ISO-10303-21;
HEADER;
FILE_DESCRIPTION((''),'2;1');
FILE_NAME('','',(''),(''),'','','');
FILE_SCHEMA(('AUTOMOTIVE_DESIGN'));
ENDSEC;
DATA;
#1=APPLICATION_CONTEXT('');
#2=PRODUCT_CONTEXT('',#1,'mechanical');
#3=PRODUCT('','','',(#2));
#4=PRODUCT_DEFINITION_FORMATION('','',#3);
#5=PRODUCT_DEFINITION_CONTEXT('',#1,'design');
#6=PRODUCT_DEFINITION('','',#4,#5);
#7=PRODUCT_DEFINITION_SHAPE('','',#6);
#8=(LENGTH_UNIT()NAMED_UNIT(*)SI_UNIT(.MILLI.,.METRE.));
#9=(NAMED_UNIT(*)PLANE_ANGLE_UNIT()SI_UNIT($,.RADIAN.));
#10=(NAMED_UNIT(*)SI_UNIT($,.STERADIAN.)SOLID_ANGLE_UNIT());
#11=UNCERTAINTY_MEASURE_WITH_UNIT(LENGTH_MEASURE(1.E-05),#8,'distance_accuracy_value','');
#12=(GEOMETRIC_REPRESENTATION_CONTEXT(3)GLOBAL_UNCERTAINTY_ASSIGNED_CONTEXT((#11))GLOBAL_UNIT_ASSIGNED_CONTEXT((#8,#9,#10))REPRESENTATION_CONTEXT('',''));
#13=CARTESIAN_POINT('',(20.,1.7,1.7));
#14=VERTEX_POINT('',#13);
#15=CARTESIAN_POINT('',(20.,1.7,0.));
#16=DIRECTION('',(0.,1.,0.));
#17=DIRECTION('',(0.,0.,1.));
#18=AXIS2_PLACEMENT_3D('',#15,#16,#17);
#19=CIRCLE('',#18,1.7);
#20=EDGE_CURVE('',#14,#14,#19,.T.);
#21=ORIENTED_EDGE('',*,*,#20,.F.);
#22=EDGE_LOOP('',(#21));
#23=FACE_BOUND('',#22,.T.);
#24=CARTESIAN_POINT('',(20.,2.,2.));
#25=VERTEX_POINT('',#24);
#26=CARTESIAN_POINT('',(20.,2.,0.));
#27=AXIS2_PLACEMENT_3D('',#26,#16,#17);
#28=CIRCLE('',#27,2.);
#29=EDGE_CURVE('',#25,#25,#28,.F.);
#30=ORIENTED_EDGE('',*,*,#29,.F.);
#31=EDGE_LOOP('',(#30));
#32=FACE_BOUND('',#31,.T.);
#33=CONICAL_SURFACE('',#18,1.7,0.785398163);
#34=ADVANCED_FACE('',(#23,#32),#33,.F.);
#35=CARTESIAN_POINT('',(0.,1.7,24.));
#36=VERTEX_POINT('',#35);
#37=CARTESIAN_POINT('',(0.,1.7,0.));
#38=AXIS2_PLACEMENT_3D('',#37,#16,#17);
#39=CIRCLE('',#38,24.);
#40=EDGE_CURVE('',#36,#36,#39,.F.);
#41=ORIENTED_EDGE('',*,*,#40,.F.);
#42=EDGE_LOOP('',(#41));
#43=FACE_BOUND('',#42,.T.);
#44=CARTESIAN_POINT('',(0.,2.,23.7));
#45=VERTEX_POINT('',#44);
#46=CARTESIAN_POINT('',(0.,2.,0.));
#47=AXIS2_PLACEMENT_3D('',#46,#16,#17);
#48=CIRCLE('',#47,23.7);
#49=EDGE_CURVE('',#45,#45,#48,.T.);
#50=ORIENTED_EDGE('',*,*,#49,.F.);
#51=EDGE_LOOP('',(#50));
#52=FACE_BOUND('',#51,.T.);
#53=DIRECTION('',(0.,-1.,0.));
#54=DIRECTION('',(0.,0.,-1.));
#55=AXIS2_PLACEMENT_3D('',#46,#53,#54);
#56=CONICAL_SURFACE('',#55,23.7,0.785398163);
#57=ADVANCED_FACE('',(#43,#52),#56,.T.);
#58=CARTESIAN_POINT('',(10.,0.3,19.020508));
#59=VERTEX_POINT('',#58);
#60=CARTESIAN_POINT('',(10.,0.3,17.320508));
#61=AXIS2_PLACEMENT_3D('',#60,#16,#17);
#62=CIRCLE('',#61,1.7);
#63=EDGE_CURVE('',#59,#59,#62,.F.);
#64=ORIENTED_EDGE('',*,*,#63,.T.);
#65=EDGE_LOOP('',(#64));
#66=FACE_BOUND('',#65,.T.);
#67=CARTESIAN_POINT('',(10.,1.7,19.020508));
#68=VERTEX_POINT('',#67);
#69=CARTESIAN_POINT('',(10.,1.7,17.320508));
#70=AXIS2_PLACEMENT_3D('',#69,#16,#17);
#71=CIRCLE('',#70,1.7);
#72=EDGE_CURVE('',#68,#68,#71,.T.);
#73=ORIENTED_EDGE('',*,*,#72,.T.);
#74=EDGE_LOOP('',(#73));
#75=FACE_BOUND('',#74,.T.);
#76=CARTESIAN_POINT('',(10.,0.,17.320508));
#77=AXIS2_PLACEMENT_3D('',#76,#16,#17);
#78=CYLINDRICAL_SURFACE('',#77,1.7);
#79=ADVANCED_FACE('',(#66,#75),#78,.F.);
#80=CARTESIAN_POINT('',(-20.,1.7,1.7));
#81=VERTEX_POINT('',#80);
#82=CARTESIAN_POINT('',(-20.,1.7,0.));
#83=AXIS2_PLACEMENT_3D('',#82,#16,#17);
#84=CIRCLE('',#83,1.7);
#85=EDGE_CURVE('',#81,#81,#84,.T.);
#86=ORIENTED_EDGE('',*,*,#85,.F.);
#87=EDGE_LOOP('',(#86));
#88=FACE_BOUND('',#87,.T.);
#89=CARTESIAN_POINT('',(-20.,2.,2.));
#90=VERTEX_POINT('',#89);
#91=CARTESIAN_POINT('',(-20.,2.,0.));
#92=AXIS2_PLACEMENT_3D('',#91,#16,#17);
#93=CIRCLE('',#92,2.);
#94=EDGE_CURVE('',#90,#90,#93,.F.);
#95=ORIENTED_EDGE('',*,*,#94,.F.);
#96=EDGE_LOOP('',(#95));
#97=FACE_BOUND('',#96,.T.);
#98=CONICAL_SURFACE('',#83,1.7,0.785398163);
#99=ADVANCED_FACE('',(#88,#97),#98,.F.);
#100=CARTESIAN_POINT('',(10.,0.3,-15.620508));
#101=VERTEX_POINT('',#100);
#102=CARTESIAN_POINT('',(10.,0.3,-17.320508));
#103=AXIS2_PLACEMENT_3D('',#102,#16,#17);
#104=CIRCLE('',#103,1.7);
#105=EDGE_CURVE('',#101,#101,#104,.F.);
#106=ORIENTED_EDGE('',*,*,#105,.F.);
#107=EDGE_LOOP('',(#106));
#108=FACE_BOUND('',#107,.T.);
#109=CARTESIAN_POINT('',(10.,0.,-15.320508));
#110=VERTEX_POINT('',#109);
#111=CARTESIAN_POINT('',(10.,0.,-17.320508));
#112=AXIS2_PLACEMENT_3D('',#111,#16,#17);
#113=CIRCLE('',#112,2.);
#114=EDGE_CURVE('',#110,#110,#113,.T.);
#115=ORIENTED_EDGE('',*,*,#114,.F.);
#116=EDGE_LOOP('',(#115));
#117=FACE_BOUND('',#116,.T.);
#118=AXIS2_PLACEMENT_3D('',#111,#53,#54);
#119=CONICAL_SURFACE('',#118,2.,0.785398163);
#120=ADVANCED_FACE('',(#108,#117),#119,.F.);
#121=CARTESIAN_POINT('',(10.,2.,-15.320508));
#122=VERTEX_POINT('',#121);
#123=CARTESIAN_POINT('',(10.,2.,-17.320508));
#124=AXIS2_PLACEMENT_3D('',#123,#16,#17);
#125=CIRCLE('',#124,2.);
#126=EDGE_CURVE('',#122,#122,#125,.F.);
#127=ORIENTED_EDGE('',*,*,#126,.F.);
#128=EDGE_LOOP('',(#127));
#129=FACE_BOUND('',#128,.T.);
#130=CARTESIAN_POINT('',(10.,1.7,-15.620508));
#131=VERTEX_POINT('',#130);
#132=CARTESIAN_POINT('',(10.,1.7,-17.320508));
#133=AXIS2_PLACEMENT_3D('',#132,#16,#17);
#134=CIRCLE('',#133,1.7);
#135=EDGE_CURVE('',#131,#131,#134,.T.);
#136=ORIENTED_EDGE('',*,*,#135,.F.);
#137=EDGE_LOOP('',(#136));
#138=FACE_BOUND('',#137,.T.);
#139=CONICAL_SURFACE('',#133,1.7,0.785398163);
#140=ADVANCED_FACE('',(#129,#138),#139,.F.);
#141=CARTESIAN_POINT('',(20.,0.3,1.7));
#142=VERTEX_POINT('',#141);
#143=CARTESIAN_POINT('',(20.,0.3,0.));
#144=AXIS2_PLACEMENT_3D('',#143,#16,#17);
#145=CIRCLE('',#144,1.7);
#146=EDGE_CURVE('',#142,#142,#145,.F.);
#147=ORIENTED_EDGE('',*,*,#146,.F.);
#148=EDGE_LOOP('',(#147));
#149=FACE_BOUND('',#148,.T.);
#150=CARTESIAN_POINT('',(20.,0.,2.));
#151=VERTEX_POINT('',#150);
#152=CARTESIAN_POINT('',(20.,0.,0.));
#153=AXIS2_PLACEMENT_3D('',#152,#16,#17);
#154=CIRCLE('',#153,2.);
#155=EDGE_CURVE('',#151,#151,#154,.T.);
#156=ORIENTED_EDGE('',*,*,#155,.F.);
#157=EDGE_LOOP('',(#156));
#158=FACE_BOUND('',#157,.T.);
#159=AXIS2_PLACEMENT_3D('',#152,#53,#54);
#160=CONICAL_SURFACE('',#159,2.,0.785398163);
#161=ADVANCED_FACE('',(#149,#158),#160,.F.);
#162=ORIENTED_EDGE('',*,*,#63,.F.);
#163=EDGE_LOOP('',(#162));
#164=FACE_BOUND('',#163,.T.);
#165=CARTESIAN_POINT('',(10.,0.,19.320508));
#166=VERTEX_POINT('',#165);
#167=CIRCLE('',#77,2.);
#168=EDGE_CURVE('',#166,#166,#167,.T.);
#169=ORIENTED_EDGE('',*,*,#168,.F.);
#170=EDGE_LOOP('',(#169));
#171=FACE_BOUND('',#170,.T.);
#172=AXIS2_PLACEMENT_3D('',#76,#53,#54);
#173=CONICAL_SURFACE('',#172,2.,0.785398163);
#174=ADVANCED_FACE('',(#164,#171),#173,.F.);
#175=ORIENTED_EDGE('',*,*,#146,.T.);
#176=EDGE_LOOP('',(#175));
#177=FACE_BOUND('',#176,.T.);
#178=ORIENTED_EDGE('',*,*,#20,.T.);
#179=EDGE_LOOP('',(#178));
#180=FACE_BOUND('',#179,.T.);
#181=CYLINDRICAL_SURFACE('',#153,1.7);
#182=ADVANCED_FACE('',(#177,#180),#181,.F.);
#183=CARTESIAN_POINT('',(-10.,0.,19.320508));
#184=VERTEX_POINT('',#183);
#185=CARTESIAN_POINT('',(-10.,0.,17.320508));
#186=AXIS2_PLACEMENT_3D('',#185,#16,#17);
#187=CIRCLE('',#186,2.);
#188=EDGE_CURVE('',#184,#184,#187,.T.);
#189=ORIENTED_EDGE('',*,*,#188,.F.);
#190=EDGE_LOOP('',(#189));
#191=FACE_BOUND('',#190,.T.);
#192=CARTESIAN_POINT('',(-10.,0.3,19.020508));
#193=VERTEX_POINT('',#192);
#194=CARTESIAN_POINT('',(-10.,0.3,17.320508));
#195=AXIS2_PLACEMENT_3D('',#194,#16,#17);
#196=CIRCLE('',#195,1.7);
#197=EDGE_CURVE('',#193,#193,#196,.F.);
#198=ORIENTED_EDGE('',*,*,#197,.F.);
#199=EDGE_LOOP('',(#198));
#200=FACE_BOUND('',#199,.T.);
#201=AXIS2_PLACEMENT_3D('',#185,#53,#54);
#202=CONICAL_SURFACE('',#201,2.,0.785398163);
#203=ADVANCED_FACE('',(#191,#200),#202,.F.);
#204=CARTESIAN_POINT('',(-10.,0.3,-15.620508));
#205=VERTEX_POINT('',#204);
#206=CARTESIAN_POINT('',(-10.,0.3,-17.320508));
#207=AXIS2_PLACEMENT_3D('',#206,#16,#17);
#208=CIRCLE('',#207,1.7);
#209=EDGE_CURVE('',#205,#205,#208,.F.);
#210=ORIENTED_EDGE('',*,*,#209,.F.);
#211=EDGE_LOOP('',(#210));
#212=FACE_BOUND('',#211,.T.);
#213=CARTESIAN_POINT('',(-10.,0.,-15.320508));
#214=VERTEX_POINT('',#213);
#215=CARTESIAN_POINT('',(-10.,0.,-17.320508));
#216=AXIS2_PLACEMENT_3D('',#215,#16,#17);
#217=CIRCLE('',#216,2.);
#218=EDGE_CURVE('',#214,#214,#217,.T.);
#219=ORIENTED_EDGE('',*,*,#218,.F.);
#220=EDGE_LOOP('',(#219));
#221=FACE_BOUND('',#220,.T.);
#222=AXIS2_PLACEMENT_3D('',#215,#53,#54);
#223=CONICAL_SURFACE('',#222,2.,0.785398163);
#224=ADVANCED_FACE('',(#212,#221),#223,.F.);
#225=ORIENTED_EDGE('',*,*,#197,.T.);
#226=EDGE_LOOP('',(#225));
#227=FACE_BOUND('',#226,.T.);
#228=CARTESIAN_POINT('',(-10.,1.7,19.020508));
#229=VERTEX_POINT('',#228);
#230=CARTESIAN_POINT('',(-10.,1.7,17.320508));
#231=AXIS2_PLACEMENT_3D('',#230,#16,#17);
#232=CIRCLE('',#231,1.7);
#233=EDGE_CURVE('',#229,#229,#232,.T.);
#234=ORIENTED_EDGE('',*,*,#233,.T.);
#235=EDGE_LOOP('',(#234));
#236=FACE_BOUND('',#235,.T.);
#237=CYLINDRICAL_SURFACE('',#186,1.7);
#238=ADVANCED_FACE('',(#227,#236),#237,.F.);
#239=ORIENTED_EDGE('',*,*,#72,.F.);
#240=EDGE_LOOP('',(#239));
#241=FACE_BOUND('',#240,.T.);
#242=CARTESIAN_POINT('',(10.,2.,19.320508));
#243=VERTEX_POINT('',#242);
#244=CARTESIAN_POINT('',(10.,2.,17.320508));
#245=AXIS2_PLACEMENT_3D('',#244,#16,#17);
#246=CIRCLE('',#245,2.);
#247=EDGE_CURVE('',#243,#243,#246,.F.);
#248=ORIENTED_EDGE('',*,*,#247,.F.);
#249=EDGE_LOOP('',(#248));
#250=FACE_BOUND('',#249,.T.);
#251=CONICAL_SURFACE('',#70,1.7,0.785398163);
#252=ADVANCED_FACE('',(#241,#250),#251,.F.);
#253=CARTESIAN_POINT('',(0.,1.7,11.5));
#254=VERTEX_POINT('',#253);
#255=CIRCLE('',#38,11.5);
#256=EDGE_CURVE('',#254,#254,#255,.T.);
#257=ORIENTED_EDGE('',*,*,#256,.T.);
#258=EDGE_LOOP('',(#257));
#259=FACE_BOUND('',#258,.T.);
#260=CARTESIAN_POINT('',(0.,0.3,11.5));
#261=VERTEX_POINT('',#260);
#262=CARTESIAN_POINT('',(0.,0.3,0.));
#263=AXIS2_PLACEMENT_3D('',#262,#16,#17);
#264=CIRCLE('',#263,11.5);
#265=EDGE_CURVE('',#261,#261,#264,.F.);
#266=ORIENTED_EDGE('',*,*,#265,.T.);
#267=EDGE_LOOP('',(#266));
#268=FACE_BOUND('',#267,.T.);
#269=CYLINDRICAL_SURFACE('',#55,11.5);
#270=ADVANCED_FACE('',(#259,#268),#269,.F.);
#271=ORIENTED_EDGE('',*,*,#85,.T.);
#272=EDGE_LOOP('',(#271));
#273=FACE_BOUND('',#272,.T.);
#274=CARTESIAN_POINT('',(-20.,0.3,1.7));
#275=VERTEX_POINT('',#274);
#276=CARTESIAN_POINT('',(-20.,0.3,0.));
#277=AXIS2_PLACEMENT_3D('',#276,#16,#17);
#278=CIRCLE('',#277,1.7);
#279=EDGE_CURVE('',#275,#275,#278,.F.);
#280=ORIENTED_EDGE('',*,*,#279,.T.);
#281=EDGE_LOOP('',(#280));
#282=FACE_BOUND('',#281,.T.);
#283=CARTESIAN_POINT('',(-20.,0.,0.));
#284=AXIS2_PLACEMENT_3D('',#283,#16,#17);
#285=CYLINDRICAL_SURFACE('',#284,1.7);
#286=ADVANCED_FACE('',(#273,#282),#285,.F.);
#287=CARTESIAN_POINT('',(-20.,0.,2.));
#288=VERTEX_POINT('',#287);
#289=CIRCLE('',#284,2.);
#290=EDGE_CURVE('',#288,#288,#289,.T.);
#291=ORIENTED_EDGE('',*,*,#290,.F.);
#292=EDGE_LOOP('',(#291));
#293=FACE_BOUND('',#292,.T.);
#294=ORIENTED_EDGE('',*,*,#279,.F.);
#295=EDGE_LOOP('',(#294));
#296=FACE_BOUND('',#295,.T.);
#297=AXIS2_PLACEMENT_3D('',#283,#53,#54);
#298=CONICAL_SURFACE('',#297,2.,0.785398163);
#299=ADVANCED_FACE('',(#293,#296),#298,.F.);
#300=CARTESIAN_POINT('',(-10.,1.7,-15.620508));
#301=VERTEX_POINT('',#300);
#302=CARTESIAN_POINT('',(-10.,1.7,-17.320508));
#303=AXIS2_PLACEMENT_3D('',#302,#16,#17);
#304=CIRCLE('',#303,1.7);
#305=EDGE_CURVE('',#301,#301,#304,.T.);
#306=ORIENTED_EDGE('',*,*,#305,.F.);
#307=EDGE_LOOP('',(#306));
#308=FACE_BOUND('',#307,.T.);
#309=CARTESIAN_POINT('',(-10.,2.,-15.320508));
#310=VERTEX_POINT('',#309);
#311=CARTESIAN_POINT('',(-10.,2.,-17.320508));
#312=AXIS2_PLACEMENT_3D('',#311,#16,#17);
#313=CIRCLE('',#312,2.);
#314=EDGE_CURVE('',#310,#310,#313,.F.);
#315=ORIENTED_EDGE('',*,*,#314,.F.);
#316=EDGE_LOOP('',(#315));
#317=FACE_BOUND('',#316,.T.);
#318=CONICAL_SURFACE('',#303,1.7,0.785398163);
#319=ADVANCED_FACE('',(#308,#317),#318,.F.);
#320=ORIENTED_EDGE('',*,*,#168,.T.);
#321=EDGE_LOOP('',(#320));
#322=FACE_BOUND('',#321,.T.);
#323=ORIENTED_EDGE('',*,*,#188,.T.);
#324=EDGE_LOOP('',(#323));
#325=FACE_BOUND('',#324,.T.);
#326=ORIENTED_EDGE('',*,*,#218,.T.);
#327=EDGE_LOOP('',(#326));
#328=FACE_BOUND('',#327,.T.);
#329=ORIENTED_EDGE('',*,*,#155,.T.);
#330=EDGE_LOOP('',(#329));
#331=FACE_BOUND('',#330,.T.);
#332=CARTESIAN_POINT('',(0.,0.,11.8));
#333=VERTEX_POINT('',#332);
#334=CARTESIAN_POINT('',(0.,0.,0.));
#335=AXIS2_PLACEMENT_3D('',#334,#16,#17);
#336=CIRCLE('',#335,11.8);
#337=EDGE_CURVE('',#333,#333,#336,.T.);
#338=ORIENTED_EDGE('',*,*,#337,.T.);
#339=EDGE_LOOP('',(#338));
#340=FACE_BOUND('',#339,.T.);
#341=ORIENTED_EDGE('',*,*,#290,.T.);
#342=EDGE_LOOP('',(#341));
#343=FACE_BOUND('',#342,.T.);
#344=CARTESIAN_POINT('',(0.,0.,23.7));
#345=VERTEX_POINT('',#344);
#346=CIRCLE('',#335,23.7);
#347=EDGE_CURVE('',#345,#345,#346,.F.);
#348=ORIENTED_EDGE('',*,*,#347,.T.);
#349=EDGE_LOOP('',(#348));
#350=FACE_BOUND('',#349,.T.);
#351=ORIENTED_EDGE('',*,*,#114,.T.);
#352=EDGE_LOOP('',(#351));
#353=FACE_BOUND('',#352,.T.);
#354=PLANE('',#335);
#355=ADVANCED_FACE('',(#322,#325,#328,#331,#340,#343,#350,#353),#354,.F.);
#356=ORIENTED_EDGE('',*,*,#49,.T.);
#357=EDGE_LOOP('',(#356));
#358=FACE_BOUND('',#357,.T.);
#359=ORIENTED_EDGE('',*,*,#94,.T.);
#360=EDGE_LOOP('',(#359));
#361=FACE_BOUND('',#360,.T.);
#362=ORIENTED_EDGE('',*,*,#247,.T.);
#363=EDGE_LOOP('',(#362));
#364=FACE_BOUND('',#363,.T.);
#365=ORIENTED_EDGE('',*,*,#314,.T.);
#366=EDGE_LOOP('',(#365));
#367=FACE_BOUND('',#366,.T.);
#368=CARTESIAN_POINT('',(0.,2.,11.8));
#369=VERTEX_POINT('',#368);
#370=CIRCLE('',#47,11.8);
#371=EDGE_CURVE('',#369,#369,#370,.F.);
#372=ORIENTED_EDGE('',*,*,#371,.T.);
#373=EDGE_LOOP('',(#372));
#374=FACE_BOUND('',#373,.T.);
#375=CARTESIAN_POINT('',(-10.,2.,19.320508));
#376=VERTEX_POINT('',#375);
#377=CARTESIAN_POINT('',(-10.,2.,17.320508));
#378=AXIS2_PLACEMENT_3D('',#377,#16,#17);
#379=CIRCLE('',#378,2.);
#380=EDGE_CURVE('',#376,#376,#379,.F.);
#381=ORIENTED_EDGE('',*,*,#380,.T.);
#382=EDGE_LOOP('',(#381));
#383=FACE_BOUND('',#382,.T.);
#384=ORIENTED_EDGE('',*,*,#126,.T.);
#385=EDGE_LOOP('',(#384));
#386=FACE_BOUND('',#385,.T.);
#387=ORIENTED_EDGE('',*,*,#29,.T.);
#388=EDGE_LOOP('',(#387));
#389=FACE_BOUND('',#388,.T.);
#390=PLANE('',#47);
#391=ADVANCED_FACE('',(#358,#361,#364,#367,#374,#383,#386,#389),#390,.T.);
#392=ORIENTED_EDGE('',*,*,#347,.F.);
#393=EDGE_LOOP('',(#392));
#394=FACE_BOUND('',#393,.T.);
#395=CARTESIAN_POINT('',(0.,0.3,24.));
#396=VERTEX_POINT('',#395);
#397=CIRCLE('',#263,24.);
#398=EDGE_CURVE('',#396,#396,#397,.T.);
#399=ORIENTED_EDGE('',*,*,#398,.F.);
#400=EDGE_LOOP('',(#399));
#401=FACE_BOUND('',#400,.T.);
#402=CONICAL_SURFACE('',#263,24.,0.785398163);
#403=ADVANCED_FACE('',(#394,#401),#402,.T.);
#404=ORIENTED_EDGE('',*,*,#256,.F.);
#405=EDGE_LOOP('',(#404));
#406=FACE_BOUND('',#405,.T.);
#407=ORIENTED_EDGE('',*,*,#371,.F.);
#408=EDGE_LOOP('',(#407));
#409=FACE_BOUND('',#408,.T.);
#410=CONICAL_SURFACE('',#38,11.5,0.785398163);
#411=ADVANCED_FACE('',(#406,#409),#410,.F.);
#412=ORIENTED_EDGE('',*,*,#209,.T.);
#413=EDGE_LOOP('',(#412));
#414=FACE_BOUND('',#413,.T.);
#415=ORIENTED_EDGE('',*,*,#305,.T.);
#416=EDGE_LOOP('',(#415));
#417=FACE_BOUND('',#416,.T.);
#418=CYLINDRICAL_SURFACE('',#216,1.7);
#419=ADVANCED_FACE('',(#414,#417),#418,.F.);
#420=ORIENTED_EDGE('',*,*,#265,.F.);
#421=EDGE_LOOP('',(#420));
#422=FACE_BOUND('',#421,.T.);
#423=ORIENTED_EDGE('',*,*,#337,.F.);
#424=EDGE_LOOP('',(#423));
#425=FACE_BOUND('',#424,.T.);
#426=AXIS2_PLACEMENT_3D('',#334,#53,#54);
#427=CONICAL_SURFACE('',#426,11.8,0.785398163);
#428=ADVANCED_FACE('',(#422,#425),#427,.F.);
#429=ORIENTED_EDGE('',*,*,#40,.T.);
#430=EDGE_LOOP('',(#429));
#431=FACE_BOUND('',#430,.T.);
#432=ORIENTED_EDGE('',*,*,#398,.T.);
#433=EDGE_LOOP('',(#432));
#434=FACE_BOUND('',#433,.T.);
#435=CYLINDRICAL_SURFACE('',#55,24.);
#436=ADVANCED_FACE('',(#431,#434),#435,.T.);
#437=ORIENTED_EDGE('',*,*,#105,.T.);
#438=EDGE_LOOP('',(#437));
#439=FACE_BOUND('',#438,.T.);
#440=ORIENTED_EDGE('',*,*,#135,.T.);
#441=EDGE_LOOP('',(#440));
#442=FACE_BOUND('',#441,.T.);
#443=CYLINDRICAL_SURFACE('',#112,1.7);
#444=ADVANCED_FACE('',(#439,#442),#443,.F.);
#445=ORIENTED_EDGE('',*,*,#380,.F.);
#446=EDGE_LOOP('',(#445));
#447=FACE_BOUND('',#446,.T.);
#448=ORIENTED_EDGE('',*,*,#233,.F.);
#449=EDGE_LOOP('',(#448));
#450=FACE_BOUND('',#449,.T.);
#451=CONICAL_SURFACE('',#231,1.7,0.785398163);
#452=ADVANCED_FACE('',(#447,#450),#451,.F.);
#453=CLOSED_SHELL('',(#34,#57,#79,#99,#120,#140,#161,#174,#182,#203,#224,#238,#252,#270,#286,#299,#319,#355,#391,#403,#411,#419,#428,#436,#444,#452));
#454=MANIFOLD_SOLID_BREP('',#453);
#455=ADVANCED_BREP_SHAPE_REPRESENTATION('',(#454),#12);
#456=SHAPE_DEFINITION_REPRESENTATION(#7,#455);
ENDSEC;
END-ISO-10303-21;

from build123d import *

# Parameters (mm, degrees)
SKETCH1_R           = 24
SKETCH1_R_2         = 11.5
BOSS_EXTRUDE1_DEPTH = 2
SKETCH2_R           = 1.7
CUT_EXTRUDE1_DEPTH  = 3
CHAMFER2_SIZE       = 0.3


with BuildPart() as part:
    # Sketch1 → Boss-Extrude1 (new body)
    with BuildSketch(Plane(origin=(0, 0, 0), x_dir=(1, 0, 0), z_dir=(0, 1, 0))):
        Circle(SKETCH1_R)
        Circle(SKETCH1_R_2, mode=Mode.SUBTRACT)
    extrude(amount=BOSS_EXTRUDE1_DEPTH)

    # Sketch2 → Cut-Extrude1 (cut, through all)
    with BuildSketch(Plane(origin=(0, 2, 0), x_dir=(1, 0, 0), z_dir=(0, 1, 0))):
        with Locations((-20, 0)):
            Circle(SKETCH2_R)
        with Locations((-10, 17.320508076)):
            Circle(SKETCH2_R)
        with Locations((10, 17.320508076)):
            Circle(SKETCH2_R)
        with Locations((20, 0)):
            Circle(SKETCH2_R)
        with Locations((10, -17.320508076)):
            Circle(SKETCH2_R)
        with Locations((-10, -17.320508076)):
            Circle(SKETCH2_R)
    extrude(amount=-CUT_EXTRUDE1_DEPTH, mode=Mode.SUBTRACT)

    # Chamfer2
    chamfer2_edges = [part.edges().sort_by_distance(p)[0] for p in [
        (-21.7, 0, 0),
        (-21.7, 2, 0),
        (-24, 0, 0),
        (-11.7, 0, 17.320508076),
        (-11.7, 2, 17.320508076),
        (8.3, 0, 17.320508076),
        (8.3, 2, 17.320508076),
        (18.3, 0, 0),
        (18.3, 2, 0),
        (8.3, 0, -17.320508076),
        (8.3, 2, -17.320508076),
        (-11.7, 0, -17.320508076),
        (-11.7, 2, -17.320508076),
        (-24, 2, 0),
        (-11.5, 0, 0),
        (-11.5, 2, 0),
    ]]
    chamfer(chamfer2_edges, length=CHAMFER2_SIZE)


solid = part.part
